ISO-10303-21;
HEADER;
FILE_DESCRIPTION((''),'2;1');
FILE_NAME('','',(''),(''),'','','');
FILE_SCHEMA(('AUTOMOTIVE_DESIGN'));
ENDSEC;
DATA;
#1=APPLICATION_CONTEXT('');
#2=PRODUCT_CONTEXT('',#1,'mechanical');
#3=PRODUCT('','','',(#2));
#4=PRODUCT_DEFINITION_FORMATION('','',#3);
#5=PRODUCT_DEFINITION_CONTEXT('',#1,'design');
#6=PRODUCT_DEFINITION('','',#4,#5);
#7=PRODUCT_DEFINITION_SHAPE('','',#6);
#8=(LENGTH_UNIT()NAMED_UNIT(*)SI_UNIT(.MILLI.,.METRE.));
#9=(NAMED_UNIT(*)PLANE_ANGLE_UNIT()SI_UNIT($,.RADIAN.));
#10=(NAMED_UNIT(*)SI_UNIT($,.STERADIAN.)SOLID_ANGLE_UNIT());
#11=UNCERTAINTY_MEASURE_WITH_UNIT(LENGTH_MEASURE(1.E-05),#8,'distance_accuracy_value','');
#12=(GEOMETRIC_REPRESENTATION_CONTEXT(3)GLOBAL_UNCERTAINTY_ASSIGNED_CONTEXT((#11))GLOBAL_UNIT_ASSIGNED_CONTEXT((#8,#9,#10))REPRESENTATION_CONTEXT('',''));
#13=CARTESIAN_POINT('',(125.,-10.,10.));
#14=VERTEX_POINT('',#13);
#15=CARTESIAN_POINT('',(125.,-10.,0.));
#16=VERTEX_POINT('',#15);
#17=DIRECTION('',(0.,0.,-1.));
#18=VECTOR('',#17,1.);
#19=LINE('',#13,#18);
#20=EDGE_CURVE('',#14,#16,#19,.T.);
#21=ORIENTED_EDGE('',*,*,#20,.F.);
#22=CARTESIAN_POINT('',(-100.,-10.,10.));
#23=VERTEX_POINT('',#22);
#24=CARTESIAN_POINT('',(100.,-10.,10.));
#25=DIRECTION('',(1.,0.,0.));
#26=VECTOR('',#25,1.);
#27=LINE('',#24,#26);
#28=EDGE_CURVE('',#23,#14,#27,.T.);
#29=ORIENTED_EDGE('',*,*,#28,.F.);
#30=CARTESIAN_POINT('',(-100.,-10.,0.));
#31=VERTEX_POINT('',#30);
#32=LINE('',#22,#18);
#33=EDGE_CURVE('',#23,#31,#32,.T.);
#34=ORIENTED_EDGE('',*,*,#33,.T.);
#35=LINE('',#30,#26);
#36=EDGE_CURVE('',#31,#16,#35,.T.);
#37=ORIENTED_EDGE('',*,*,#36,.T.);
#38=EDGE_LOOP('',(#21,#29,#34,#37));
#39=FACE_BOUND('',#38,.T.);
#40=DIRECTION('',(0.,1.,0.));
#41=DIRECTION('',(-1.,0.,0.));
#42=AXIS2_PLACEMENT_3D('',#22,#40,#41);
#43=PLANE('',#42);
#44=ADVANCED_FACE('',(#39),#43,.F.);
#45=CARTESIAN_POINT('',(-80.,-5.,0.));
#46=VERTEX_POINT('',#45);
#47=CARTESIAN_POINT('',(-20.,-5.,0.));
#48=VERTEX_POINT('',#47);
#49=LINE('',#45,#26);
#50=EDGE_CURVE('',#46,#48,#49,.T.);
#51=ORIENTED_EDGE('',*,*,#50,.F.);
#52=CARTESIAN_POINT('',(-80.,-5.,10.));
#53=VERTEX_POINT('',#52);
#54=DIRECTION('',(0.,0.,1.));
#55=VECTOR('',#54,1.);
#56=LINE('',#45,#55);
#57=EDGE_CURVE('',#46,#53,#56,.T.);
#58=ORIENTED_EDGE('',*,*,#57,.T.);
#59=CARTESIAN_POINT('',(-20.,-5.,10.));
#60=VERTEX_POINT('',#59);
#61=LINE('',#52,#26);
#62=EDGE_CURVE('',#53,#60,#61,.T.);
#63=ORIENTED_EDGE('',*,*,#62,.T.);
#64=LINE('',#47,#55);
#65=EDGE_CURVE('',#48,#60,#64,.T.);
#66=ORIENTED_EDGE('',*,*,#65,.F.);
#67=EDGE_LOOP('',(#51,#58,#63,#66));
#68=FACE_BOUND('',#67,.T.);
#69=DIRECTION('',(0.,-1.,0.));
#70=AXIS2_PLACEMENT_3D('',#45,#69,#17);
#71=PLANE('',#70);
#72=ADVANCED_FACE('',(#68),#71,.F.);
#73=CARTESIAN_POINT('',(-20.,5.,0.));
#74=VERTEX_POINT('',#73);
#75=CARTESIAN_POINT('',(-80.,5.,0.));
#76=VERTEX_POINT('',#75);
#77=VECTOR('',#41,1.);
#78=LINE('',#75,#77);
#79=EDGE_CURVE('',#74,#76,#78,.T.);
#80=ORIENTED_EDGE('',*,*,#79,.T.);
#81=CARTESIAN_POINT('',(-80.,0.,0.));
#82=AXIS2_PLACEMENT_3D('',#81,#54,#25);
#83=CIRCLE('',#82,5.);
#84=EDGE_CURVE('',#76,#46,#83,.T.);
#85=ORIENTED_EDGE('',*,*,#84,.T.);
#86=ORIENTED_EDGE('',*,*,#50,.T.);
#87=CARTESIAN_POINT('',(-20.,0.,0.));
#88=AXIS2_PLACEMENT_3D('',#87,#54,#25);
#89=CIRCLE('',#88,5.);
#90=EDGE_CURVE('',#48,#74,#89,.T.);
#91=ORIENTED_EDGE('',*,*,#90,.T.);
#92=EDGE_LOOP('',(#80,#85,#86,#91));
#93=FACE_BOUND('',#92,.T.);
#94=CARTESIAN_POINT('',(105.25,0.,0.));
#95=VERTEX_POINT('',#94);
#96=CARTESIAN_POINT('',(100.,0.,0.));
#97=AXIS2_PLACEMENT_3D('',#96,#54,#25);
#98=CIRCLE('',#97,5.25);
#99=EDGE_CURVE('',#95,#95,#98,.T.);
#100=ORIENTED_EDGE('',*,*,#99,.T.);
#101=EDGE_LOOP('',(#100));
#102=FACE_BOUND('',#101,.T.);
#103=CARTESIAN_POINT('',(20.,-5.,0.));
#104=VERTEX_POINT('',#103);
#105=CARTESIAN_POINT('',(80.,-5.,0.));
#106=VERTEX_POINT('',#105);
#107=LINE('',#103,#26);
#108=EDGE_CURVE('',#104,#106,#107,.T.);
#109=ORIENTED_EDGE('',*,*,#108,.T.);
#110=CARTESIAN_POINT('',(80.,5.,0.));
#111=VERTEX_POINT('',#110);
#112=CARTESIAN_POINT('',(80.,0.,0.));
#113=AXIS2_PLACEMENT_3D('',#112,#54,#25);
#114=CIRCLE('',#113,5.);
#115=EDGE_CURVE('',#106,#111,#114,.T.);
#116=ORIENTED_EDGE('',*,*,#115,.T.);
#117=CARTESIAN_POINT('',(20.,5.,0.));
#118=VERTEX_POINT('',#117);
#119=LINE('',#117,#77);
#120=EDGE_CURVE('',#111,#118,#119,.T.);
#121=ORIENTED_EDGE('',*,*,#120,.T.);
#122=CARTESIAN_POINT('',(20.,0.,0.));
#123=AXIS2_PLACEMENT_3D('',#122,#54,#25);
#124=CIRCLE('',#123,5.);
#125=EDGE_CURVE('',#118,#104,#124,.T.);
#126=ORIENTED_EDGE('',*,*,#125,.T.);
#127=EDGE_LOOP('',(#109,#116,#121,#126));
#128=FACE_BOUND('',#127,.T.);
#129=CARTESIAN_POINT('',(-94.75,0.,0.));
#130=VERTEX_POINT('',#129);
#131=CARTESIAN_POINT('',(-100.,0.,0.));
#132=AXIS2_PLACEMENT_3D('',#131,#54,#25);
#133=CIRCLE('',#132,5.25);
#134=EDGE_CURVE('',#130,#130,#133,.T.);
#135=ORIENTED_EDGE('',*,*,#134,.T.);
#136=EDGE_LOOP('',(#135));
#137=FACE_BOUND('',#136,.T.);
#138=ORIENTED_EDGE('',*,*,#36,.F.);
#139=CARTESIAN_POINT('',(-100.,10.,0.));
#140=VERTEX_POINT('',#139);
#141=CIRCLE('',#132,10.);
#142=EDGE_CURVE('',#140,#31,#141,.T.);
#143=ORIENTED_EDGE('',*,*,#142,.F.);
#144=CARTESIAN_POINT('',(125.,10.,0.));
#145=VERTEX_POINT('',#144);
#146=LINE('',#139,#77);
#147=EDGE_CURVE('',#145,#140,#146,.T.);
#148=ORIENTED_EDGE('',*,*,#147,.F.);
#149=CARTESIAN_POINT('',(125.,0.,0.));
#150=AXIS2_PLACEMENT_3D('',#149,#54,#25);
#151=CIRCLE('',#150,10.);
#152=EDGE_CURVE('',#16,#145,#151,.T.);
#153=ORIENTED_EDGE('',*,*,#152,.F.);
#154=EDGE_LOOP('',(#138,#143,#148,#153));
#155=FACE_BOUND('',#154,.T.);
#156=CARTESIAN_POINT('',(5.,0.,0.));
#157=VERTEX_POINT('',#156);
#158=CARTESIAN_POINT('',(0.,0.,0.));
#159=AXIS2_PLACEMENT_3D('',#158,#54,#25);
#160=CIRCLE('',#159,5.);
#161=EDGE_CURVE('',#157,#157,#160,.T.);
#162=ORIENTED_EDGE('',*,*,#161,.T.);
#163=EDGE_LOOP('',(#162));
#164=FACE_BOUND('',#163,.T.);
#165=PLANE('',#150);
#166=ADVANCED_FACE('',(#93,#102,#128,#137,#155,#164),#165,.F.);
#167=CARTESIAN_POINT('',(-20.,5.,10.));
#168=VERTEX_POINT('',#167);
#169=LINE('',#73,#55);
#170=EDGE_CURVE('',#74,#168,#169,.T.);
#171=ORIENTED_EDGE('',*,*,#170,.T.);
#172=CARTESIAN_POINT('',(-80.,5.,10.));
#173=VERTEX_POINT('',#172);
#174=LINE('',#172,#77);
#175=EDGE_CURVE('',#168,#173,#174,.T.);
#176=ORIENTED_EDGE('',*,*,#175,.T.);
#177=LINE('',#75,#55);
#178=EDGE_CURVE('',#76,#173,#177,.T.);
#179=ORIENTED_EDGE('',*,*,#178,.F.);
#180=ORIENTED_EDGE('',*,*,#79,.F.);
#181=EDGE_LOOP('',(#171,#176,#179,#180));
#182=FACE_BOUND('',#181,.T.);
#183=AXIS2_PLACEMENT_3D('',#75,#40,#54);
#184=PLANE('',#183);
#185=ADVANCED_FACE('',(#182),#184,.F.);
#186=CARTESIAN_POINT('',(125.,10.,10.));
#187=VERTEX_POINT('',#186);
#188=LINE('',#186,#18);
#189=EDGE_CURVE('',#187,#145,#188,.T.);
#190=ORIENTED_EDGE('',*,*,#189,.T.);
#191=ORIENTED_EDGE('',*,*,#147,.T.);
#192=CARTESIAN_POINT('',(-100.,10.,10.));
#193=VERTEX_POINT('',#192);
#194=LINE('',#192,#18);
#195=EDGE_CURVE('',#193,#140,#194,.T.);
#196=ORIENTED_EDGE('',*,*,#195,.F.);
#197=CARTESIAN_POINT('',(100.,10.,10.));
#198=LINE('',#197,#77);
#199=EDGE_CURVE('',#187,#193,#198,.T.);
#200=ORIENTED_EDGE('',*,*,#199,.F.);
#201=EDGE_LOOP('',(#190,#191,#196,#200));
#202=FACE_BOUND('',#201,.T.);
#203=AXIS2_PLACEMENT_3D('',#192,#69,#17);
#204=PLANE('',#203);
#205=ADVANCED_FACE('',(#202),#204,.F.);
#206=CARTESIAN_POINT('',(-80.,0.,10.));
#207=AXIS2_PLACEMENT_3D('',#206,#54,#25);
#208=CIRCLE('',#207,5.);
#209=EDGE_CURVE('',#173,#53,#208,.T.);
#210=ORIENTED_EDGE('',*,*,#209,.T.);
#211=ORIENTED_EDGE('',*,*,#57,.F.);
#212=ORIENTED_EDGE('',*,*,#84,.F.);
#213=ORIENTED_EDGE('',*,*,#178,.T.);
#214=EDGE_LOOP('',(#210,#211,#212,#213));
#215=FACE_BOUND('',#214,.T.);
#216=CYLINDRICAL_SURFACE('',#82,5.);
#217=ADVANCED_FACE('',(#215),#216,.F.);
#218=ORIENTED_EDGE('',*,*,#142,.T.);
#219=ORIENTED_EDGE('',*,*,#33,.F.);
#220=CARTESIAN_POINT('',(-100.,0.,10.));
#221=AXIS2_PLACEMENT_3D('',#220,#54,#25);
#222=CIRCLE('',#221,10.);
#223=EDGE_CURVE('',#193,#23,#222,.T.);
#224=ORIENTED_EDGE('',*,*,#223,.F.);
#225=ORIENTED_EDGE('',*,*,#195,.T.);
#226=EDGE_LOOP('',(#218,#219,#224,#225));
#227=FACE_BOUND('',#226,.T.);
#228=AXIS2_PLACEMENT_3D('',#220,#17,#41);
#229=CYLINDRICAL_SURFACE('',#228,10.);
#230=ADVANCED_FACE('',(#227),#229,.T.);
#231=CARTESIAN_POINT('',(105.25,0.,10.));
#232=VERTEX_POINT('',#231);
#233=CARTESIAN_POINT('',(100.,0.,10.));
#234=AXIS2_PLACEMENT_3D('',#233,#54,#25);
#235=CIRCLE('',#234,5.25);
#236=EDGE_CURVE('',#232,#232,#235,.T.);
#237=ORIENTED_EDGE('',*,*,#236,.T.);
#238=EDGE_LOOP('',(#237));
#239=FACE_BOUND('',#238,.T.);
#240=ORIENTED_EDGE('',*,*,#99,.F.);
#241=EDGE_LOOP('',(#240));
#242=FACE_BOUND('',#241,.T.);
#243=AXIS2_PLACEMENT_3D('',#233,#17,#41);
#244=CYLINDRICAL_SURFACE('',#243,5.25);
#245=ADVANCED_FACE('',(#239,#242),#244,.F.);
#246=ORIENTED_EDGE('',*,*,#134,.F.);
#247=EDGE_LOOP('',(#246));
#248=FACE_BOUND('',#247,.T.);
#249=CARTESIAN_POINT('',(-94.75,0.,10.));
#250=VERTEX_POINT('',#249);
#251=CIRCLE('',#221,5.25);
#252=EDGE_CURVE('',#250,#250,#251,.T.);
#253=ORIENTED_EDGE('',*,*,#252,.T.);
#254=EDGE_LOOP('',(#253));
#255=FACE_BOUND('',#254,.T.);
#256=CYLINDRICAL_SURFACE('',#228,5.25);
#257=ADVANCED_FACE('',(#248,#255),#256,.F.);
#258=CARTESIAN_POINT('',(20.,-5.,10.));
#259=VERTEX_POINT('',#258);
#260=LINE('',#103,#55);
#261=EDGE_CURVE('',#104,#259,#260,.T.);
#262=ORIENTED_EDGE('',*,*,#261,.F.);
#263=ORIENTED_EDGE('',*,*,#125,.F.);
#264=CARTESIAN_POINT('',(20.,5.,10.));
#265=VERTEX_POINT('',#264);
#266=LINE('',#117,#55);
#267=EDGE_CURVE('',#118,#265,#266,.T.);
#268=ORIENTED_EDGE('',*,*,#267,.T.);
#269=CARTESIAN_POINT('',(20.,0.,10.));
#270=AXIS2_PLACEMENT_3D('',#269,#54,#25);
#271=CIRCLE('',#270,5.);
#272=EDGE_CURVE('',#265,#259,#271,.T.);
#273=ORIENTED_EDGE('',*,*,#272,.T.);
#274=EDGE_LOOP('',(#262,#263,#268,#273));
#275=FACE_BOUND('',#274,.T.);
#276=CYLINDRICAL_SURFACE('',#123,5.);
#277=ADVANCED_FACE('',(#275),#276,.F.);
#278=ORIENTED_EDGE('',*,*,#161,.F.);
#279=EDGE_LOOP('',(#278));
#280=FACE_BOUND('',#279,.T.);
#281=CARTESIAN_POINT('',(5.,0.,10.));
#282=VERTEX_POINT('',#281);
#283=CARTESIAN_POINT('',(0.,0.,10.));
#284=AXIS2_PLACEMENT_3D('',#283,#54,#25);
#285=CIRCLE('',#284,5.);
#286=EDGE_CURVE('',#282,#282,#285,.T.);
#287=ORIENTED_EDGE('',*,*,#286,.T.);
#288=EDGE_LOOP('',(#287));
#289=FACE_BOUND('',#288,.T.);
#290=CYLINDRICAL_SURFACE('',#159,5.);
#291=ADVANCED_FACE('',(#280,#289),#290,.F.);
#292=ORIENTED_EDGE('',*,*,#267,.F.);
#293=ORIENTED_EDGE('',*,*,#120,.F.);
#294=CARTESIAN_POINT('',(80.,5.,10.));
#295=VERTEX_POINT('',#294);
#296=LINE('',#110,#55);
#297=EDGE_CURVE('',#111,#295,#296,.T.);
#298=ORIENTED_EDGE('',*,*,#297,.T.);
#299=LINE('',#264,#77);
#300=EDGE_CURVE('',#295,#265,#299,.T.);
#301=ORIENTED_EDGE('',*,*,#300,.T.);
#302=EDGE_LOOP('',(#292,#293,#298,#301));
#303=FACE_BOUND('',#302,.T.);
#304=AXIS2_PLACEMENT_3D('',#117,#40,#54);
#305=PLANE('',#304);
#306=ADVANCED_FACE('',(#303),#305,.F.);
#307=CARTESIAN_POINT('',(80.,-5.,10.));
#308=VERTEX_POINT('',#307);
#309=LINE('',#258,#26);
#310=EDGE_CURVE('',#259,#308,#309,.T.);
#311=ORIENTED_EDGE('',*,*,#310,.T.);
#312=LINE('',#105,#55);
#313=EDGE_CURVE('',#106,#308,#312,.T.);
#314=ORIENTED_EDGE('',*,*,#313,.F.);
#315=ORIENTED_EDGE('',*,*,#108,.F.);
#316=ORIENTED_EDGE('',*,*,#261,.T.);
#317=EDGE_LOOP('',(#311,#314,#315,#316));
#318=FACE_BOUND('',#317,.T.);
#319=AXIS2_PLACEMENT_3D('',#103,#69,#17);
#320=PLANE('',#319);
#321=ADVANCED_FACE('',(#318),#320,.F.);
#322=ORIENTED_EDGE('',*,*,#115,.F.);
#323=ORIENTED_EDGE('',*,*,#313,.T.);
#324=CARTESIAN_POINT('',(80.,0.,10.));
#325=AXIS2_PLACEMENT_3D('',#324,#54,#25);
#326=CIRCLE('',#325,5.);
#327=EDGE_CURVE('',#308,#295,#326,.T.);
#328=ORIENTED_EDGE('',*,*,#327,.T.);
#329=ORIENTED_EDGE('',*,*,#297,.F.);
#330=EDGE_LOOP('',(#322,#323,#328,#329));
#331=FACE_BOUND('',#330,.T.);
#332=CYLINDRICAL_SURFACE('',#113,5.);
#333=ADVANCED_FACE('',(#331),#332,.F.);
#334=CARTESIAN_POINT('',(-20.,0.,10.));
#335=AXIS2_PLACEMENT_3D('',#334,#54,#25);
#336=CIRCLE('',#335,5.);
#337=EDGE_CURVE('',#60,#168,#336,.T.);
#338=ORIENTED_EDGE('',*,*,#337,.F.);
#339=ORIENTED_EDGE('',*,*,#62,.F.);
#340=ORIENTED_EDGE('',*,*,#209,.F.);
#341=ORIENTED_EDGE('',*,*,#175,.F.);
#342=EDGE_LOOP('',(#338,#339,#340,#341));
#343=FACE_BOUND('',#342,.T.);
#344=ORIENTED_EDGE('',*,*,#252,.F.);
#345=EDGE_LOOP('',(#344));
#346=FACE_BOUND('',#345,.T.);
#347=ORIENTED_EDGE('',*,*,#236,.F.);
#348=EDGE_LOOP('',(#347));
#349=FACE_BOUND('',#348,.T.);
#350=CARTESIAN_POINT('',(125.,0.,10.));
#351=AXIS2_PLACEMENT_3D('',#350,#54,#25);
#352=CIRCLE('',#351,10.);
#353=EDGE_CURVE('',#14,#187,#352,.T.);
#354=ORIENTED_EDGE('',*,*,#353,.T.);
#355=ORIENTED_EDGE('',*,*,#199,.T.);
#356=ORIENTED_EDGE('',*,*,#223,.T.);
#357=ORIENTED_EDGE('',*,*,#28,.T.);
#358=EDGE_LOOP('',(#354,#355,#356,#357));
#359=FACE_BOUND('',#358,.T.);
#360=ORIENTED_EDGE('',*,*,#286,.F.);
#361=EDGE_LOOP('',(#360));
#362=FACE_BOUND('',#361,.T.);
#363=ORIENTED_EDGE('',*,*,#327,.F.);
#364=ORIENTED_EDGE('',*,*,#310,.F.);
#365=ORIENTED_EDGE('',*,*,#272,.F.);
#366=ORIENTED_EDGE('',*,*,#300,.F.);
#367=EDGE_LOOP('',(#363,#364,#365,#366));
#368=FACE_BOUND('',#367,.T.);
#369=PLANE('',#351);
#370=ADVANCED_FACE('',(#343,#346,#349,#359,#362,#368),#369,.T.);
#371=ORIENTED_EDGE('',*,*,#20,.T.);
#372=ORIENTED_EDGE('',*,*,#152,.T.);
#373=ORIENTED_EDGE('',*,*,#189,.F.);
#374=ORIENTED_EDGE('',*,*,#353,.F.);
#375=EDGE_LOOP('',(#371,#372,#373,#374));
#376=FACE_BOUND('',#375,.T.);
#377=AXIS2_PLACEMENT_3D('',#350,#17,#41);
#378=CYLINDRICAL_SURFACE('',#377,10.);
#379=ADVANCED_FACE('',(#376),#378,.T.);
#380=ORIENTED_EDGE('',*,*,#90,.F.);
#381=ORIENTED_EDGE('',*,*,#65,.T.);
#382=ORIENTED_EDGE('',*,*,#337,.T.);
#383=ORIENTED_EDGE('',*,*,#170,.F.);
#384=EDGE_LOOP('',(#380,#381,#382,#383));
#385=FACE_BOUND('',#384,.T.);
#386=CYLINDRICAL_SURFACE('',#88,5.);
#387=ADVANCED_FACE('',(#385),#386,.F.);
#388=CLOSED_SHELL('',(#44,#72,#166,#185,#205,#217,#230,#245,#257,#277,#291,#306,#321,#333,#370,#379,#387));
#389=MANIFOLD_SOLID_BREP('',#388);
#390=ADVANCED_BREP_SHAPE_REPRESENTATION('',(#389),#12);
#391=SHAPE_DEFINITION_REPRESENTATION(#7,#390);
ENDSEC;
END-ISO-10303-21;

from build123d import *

# Parameters (mm, degrees)
SKETCH_1_R          = 5.25
EXTRUDE_1_DEPTH     = 10
SKETCH_2_R          = 5
CUT_EXTRUDE_1_DEPTH = 10
CUT_EXTRUDE_2_DEPTH = 10


with BuildPart() as part:
    # 草图1 → 凸台-拉伸1 (new body)
    with BuildSketch(Plane.XY):
        with BuildLine():
            Line((-100, 10), (100, 10))
            Line((100, 10), (125, 10))
            ThreePointArc((125, 10), (135, 0), (125, -10))
            Line((125, -10), (100, -10))
            Line((100, -10), (-100, -10))
            ThreePointArc((-100, -10), (-110, 0), (-100, 10))
        make_face()
        with Locations((-100, 0)):
            Circle(SKETCH_1_R, mode=Mode.SUBTRACT)
        with Locations((100, 0)):
            Circle(SKETCH_1_R, mode=Mode.SUBTRACT)
    extrude(amount=EXTRUDE_1_DEPTH)

    # 草图2 → 切除-拉伸1 (cut)
    with BuildSketch(Plane.XY.offset(10)):
        Circle(SKETCH_2_R)
    extrude(amount=-CUT_EXTRUDE_1_DEPTH, mode=Mode.SUBTRACT)

    # 草图4 → 切除-拉伸2 (cut)
    with BuildSketch(Plane.XY.offset(10)):
        with BuildLine():
            Line((-80, 5), (-20, 5))
            ThreePointArc((-20, 5), (-15, 0), (-20, -5))
            Line((-20, -5), (-80, -5))
            ThreePointArc((-80, -5), (-85, 0), (-80, 5))
        make_face()
        with BuildLine():
            Line((20, 5), (80, 5))
            ThreePointArc((80, 5), (85, 0), (80, -5))
            Line((80, -5), (20, -5))
            ThreePointArc((20, -5), (15, 0), (20, 5))
        make_face()
    extrude(amount=-CUT_EXTRUDE_2_DEPTH, mode=Mode.SUBTRACT)


solid = part.part
